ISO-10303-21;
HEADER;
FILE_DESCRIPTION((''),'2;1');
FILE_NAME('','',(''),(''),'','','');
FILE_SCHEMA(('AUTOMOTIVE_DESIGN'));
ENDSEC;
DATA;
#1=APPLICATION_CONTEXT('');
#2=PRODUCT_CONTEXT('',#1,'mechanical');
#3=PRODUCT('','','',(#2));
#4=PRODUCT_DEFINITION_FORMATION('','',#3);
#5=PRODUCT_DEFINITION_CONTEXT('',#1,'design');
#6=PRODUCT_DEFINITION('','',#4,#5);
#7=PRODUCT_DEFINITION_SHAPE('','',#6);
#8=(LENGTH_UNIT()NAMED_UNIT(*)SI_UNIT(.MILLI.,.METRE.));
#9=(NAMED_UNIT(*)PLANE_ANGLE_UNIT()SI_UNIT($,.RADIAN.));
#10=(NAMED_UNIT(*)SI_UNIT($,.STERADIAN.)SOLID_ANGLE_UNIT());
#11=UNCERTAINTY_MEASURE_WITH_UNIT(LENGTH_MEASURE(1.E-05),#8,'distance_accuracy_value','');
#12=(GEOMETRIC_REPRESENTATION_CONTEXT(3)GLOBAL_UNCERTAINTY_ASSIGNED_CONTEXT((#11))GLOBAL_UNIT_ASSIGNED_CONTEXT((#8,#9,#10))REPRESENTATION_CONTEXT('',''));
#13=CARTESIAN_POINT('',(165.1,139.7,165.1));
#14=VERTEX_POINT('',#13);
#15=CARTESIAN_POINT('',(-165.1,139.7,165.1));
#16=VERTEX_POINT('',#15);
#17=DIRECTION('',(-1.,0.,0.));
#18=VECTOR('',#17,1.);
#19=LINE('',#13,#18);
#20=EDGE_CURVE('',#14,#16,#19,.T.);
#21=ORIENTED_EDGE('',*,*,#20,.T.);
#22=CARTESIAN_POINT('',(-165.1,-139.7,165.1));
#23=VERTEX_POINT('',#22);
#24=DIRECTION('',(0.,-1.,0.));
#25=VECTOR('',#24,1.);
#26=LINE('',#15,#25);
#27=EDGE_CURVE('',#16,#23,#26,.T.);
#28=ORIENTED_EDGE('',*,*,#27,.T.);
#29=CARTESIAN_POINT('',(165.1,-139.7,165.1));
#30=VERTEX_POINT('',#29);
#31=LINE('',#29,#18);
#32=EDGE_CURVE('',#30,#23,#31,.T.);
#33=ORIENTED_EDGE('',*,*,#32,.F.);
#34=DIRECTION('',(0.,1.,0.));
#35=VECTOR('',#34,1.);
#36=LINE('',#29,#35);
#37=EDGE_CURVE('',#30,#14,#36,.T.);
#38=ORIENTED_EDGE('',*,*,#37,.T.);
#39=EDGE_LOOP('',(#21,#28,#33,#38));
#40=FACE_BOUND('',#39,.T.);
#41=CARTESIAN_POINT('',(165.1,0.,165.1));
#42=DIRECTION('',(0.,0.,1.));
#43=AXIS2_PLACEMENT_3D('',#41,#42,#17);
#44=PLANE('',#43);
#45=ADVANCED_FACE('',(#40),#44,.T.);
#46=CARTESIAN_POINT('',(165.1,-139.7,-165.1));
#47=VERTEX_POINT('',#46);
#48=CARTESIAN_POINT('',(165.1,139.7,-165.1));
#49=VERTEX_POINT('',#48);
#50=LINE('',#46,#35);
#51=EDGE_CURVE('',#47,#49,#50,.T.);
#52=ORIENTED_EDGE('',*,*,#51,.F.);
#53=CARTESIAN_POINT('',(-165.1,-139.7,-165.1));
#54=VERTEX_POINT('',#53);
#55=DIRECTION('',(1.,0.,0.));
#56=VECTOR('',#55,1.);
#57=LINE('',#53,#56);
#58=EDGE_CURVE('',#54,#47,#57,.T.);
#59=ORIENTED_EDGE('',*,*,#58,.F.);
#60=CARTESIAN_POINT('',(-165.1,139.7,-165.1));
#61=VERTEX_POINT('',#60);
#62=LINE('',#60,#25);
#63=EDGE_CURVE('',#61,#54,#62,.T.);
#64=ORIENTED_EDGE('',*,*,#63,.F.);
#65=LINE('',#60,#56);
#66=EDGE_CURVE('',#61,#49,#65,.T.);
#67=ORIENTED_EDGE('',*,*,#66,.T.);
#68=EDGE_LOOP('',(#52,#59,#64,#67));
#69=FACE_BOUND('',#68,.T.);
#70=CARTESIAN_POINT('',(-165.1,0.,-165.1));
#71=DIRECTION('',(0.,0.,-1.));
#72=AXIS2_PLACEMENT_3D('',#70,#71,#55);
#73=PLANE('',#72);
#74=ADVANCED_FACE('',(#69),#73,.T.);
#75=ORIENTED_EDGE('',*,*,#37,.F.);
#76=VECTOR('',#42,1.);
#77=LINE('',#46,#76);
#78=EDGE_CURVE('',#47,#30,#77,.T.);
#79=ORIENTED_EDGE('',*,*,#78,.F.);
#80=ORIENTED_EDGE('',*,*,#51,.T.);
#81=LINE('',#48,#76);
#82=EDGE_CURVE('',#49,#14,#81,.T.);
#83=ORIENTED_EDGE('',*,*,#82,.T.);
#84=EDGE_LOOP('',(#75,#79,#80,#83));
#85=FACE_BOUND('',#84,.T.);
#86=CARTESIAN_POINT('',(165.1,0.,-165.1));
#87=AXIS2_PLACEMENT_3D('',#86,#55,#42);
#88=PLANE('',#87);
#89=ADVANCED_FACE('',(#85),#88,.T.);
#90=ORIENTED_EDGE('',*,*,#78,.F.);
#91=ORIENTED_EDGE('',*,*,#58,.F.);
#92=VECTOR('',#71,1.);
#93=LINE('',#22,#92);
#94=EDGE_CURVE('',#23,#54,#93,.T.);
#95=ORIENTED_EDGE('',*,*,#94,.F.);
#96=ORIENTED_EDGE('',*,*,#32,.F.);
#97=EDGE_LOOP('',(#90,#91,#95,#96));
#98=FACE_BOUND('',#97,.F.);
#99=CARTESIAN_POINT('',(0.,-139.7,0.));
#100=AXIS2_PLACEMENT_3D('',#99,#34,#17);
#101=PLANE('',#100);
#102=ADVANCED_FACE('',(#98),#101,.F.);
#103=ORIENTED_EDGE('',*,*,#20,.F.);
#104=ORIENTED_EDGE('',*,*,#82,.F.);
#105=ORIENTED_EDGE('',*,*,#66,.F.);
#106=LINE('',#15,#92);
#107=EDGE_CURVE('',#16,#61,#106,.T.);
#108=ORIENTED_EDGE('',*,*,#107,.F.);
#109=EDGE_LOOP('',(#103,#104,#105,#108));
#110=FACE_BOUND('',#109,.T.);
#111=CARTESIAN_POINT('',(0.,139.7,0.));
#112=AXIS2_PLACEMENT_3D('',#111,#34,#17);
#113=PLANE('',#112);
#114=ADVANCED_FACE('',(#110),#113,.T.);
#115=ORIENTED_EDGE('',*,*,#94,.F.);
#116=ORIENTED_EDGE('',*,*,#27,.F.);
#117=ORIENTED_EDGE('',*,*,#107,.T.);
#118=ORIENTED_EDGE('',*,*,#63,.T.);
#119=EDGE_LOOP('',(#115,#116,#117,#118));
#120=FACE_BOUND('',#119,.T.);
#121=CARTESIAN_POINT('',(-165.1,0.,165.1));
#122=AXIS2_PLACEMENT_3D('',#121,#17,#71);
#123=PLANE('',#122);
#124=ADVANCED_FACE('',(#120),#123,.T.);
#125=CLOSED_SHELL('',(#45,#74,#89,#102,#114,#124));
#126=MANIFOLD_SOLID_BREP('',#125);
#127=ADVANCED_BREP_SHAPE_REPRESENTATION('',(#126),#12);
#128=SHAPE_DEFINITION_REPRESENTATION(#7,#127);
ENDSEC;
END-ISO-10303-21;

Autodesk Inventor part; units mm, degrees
ref_plane "YZ Plane" through (0, 0, 0) normal (1, 0, 0) x (0, 1, 0)
ref_plane "XZ Plane" through (0, 0, 0) normal (0, 1, 0) x (-1, 0, 0)
ref_plane "XY Plane" through (0, 0, 0) normal (0, 0, 1) x (1, 0, 0)
sketch "Sketch1" plane through (0, 0, 0) normal (0, 1, 0) x (-1, 0, 0)
  line L0 (-165.1, 165.1) -> (165.1, 165.1)
  line L1 (165.1, 165.1) -> (165.1, -165.1)
  line L2 (165.1, -165.1) -> (-165.1, -165.1)
  line L3 (-165.1, -165.1) -> (-165.1, 165.1)
  line L4 (-165.1, 165.1) -> (165.1, -165.1) construction
  line L5 (165.1, 165.1) -> (-165.1, -165.1) construction
  point P0 (0, 0)
  dimension "d0" = 330.2
extrude "Extrusion1" add sketch "Sketch1" along normal mid plane 279.4
properties part number "cube"
